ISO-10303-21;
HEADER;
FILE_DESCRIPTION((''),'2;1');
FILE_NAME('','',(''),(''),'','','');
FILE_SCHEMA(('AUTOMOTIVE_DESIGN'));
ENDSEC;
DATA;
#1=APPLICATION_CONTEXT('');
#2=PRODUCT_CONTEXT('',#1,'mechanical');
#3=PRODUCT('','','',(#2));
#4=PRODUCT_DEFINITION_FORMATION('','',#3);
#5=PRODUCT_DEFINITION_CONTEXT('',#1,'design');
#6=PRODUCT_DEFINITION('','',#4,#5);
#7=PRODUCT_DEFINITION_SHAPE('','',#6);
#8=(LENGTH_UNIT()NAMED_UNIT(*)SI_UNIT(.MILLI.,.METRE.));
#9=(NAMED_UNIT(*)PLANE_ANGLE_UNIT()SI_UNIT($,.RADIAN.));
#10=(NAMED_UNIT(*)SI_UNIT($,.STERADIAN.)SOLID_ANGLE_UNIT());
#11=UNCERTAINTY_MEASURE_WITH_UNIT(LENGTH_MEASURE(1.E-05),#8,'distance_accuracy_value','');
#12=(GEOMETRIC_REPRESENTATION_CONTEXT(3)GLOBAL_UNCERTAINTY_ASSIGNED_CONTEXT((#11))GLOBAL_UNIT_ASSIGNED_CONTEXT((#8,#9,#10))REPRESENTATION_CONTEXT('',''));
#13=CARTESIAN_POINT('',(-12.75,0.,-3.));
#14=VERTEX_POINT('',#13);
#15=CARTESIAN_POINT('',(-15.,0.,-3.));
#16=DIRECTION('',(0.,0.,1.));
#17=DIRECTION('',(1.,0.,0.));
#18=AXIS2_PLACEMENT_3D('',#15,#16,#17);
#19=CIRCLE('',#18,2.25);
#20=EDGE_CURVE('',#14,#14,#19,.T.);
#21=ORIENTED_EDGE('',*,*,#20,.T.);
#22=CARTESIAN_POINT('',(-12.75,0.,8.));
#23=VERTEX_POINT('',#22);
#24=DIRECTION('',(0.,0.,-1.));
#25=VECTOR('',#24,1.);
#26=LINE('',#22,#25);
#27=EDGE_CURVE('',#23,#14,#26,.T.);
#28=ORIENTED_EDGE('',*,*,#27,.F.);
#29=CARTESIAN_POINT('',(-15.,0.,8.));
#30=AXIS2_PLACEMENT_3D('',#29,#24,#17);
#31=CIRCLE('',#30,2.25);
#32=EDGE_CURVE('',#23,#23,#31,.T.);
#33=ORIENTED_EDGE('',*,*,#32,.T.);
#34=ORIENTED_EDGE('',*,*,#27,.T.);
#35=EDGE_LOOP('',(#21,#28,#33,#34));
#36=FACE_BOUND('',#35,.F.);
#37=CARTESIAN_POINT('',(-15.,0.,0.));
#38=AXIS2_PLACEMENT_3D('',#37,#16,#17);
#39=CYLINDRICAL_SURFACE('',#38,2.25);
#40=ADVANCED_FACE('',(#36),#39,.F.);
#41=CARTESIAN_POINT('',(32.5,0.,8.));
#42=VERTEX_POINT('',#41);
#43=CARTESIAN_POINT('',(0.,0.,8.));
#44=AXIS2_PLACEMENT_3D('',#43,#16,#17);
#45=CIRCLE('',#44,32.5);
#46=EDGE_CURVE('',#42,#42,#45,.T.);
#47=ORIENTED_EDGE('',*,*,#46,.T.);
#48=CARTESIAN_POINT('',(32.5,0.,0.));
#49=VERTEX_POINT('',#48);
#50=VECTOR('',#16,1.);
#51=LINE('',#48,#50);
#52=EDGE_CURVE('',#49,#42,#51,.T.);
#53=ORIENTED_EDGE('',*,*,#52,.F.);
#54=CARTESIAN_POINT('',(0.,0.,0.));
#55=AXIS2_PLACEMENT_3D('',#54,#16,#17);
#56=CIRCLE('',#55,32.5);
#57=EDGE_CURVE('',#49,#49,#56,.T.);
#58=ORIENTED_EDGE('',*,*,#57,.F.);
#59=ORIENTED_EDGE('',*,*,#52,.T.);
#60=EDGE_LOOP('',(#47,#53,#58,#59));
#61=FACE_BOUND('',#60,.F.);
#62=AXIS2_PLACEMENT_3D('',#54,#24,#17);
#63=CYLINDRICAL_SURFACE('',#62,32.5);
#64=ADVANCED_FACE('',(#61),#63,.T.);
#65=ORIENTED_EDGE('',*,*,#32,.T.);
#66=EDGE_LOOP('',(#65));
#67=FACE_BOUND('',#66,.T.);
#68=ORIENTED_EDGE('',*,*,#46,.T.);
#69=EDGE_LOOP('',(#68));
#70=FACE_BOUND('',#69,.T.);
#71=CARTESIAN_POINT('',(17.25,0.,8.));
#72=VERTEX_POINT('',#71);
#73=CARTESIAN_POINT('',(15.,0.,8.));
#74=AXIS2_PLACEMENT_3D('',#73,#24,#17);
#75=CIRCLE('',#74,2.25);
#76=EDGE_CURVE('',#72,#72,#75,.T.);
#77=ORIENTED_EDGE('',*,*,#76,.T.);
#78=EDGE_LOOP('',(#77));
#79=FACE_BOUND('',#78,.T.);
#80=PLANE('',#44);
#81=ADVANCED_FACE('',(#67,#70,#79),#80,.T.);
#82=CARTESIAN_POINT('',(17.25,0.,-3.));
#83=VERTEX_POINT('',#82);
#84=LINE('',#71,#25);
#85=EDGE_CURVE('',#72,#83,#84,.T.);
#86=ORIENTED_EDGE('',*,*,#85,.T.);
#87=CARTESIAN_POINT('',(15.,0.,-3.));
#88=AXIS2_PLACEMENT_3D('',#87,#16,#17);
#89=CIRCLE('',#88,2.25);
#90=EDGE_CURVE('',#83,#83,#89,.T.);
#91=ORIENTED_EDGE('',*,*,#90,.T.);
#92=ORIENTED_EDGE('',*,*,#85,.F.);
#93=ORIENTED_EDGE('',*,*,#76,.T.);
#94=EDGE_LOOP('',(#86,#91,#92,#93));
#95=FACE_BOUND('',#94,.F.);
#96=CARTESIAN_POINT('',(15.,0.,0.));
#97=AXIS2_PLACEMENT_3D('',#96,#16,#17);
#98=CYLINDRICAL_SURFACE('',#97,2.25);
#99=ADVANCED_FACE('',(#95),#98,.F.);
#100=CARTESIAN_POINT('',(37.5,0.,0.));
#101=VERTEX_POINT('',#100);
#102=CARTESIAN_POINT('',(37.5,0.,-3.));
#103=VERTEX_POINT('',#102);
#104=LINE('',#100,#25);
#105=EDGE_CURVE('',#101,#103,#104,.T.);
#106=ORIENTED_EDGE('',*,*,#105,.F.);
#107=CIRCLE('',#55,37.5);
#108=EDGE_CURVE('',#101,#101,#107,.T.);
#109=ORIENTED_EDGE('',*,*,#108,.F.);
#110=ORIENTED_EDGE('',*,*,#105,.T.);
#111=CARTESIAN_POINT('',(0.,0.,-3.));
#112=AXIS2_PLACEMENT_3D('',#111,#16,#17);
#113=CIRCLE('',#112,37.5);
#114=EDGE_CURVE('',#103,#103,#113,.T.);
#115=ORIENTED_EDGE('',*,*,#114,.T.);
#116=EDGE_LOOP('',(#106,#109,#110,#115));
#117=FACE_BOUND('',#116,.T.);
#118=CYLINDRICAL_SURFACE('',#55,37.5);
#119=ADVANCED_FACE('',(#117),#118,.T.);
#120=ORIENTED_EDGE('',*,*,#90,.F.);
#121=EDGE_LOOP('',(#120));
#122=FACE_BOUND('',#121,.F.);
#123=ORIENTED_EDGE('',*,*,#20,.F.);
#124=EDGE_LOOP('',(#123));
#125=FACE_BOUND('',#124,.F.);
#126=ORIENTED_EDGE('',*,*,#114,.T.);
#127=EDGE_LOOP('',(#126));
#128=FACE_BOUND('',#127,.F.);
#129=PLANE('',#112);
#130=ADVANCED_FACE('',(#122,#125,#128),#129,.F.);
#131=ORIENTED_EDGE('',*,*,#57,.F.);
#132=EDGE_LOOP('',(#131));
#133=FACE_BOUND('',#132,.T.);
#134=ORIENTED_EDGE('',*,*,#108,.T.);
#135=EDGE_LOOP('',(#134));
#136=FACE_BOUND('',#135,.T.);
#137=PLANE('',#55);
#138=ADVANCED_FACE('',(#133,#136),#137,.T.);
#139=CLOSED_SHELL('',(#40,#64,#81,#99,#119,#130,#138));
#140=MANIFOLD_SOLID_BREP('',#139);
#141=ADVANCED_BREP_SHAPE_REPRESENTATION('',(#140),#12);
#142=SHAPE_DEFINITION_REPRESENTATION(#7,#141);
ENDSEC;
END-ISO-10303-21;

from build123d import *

# Parameters (mm, degrees)
SKETCH_R          = 32.5
PAD_DEPTH         = 8
SKETCH001_R       = 37.5
PAD001_DEPTH      = 3
SKETCH002_R       = 2.25
POCKET_DEPTH      = 3.001
POCKET_DEPTH_BACK = -8.001


with BuildPart() as part:
    # Sketch → Pad (new body)
    with BuildSketch(Plane.XY):
        Circle(SKETCH_R)
    extrude(amount=PAD_DEPTH)

    # Sketch001 → Pad001 (join)
    with BuildSketch(Plane.XY):
        Circle(SKETCH001_R)
    extrude(amount=-PAD001_DEPTH)

    # Sketch002 → Pocket (cut, two sides)
    with BuildSketch(Plane.XY) as pocket_sk:
        with Locations((-15, 0)):
            Circle(SKETCH002_R)
        with Locations((15, 0)):
            Circle(SKETCH002_R)
    extrude(amount=-POCKET_DEPTH, mode=Mode.SUBTRACT)
    extrude(pocket_sk.sketch, amount=-POCKET_DEPTH_BACK, mode=Mode.SUBTRACT)


solid = part.part
